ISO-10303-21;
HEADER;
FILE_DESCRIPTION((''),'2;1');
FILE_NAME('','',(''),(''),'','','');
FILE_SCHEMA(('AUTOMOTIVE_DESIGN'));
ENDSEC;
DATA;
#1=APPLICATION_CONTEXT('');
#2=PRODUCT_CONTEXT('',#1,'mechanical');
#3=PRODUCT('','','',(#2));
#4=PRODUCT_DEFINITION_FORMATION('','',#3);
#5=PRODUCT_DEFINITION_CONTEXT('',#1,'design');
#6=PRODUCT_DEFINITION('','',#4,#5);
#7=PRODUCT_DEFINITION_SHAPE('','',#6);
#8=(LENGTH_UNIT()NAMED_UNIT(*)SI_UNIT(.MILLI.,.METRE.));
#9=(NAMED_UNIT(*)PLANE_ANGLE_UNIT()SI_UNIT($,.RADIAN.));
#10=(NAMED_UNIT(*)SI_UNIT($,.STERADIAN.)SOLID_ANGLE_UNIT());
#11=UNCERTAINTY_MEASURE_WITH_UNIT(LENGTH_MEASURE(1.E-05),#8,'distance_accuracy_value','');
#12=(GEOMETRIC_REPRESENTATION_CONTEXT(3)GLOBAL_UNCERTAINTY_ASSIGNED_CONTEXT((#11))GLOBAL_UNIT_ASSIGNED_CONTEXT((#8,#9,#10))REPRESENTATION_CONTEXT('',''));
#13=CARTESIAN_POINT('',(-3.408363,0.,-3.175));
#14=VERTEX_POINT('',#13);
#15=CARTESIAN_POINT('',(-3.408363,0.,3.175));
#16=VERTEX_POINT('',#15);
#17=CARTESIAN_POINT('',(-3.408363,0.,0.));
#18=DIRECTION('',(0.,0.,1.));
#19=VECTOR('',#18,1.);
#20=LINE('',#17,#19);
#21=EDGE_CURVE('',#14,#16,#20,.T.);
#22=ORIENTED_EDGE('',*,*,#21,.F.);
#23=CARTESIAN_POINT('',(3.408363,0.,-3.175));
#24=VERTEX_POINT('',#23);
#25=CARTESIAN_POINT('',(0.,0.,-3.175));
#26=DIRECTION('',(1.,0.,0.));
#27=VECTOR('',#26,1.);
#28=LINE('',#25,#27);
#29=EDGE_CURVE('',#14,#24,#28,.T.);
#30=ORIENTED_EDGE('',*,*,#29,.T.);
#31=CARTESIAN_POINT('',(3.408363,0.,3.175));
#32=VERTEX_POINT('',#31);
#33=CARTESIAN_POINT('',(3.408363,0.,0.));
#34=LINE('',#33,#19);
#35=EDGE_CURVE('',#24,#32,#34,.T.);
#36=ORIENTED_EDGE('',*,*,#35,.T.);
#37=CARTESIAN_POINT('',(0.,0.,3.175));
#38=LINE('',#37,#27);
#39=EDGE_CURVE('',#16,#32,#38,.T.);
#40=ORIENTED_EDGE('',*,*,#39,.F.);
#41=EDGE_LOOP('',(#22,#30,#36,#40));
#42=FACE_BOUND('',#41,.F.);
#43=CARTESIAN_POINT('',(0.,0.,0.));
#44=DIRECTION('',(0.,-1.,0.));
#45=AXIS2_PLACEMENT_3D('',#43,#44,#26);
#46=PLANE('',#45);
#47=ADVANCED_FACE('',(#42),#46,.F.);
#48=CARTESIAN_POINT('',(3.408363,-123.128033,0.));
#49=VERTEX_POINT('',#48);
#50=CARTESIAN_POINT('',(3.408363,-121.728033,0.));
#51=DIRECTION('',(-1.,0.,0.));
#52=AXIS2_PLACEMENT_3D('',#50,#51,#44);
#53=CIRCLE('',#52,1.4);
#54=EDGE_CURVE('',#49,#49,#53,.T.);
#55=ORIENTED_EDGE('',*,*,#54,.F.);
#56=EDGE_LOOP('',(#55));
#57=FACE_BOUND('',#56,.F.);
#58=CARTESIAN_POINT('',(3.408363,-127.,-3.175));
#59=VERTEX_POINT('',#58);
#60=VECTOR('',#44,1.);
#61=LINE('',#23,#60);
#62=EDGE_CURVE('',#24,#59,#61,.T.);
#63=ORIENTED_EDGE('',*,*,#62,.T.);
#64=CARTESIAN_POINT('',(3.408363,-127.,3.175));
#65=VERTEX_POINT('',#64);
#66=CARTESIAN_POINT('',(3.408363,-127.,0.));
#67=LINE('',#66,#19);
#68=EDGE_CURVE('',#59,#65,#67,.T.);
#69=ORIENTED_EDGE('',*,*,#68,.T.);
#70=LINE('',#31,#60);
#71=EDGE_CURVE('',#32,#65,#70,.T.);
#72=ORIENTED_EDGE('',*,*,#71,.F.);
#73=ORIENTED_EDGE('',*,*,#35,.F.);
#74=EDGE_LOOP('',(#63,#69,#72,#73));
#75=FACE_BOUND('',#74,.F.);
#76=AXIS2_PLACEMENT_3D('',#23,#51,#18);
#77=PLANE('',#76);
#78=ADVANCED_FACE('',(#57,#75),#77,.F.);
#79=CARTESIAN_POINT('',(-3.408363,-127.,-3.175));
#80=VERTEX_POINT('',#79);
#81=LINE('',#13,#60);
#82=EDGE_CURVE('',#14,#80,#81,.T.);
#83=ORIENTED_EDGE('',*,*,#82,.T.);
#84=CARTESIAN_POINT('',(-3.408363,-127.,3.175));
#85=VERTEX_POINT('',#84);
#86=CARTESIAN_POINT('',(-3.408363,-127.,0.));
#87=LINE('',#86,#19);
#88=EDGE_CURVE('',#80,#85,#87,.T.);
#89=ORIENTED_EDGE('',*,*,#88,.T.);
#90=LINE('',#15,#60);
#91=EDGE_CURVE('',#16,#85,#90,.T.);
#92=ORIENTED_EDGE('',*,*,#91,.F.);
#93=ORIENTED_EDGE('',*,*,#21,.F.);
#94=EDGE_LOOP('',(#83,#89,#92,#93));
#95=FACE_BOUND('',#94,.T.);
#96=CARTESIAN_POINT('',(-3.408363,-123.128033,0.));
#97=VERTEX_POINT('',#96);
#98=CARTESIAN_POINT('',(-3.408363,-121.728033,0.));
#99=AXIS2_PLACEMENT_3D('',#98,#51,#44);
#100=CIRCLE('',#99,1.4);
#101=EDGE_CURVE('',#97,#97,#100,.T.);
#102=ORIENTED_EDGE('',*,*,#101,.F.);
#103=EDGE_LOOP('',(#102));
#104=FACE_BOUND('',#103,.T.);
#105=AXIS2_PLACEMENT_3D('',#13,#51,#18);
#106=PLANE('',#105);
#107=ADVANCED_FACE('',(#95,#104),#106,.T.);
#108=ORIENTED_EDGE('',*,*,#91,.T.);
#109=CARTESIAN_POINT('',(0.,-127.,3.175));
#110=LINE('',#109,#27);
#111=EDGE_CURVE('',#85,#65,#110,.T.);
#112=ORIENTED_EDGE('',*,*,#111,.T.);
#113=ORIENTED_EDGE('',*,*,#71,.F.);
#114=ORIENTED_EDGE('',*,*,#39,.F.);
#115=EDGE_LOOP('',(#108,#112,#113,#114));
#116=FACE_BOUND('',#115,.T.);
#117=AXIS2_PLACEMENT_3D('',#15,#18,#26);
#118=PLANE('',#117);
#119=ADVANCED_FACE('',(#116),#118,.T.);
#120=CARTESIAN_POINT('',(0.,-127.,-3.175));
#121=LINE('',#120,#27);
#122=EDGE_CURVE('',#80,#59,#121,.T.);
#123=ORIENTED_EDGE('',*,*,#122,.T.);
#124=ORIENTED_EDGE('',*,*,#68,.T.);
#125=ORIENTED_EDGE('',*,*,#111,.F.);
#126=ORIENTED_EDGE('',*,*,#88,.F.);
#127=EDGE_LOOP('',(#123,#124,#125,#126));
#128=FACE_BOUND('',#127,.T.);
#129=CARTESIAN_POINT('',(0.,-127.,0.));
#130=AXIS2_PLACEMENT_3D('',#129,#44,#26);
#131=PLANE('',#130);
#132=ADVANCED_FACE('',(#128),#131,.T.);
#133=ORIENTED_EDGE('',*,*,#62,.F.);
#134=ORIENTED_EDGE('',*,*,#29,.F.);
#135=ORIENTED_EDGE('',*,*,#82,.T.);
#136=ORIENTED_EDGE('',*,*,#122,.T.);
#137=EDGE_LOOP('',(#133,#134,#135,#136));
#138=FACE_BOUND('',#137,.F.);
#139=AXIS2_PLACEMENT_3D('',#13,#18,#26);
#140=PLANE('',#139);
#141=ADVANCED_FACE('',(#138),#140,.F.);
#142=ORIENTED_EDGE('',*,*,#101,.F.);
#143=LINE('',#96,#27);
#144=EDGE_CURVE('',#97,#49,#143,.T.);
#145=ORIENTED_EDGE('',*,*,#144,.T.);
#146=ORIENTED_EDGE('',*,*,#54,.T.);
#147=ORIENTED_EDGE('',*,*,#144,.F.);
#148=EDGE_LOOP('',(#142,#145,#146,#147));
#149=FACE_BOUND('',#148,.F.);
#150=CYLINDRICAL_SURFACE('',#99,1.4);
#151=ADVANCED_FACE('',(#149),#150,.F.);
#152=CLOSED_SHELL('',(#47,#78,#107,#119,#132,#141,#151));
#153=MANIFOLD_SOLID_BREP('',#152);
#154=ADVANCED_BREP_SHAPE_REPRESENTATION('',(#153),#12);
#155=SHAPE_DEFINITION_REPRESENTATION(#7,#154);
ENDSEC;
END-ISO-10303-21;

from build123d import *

# Parameters (mm, degrees)
F0_W     = 6.816726
F0_H     = 6.35
F1_DEPTH = 127
F2_R     = 1.4
F3_DEPTH = 6.817726


with BuildPart() as f1:
    # F0 (on Front) → F1 (new body)
    with BuildSketch(Plane.XZ):
        Rectangle(F0_W, F0_H)
    extrude(amount=F1_DEPTH)

    # F2 (on face) → F3 (cut, through all)
    with BuildSketch(Plane(origin=(-3.408363, 0, 0), x_dir=(0, -1, 0), z_dir=(-1, 0, 0))):
        with Locations((121.728033, 0)):
            Circle(F2_R)
    extrude(amount=-F3_DEPTH, mode=Mode.SUBTRACT)


solid = f1.part
